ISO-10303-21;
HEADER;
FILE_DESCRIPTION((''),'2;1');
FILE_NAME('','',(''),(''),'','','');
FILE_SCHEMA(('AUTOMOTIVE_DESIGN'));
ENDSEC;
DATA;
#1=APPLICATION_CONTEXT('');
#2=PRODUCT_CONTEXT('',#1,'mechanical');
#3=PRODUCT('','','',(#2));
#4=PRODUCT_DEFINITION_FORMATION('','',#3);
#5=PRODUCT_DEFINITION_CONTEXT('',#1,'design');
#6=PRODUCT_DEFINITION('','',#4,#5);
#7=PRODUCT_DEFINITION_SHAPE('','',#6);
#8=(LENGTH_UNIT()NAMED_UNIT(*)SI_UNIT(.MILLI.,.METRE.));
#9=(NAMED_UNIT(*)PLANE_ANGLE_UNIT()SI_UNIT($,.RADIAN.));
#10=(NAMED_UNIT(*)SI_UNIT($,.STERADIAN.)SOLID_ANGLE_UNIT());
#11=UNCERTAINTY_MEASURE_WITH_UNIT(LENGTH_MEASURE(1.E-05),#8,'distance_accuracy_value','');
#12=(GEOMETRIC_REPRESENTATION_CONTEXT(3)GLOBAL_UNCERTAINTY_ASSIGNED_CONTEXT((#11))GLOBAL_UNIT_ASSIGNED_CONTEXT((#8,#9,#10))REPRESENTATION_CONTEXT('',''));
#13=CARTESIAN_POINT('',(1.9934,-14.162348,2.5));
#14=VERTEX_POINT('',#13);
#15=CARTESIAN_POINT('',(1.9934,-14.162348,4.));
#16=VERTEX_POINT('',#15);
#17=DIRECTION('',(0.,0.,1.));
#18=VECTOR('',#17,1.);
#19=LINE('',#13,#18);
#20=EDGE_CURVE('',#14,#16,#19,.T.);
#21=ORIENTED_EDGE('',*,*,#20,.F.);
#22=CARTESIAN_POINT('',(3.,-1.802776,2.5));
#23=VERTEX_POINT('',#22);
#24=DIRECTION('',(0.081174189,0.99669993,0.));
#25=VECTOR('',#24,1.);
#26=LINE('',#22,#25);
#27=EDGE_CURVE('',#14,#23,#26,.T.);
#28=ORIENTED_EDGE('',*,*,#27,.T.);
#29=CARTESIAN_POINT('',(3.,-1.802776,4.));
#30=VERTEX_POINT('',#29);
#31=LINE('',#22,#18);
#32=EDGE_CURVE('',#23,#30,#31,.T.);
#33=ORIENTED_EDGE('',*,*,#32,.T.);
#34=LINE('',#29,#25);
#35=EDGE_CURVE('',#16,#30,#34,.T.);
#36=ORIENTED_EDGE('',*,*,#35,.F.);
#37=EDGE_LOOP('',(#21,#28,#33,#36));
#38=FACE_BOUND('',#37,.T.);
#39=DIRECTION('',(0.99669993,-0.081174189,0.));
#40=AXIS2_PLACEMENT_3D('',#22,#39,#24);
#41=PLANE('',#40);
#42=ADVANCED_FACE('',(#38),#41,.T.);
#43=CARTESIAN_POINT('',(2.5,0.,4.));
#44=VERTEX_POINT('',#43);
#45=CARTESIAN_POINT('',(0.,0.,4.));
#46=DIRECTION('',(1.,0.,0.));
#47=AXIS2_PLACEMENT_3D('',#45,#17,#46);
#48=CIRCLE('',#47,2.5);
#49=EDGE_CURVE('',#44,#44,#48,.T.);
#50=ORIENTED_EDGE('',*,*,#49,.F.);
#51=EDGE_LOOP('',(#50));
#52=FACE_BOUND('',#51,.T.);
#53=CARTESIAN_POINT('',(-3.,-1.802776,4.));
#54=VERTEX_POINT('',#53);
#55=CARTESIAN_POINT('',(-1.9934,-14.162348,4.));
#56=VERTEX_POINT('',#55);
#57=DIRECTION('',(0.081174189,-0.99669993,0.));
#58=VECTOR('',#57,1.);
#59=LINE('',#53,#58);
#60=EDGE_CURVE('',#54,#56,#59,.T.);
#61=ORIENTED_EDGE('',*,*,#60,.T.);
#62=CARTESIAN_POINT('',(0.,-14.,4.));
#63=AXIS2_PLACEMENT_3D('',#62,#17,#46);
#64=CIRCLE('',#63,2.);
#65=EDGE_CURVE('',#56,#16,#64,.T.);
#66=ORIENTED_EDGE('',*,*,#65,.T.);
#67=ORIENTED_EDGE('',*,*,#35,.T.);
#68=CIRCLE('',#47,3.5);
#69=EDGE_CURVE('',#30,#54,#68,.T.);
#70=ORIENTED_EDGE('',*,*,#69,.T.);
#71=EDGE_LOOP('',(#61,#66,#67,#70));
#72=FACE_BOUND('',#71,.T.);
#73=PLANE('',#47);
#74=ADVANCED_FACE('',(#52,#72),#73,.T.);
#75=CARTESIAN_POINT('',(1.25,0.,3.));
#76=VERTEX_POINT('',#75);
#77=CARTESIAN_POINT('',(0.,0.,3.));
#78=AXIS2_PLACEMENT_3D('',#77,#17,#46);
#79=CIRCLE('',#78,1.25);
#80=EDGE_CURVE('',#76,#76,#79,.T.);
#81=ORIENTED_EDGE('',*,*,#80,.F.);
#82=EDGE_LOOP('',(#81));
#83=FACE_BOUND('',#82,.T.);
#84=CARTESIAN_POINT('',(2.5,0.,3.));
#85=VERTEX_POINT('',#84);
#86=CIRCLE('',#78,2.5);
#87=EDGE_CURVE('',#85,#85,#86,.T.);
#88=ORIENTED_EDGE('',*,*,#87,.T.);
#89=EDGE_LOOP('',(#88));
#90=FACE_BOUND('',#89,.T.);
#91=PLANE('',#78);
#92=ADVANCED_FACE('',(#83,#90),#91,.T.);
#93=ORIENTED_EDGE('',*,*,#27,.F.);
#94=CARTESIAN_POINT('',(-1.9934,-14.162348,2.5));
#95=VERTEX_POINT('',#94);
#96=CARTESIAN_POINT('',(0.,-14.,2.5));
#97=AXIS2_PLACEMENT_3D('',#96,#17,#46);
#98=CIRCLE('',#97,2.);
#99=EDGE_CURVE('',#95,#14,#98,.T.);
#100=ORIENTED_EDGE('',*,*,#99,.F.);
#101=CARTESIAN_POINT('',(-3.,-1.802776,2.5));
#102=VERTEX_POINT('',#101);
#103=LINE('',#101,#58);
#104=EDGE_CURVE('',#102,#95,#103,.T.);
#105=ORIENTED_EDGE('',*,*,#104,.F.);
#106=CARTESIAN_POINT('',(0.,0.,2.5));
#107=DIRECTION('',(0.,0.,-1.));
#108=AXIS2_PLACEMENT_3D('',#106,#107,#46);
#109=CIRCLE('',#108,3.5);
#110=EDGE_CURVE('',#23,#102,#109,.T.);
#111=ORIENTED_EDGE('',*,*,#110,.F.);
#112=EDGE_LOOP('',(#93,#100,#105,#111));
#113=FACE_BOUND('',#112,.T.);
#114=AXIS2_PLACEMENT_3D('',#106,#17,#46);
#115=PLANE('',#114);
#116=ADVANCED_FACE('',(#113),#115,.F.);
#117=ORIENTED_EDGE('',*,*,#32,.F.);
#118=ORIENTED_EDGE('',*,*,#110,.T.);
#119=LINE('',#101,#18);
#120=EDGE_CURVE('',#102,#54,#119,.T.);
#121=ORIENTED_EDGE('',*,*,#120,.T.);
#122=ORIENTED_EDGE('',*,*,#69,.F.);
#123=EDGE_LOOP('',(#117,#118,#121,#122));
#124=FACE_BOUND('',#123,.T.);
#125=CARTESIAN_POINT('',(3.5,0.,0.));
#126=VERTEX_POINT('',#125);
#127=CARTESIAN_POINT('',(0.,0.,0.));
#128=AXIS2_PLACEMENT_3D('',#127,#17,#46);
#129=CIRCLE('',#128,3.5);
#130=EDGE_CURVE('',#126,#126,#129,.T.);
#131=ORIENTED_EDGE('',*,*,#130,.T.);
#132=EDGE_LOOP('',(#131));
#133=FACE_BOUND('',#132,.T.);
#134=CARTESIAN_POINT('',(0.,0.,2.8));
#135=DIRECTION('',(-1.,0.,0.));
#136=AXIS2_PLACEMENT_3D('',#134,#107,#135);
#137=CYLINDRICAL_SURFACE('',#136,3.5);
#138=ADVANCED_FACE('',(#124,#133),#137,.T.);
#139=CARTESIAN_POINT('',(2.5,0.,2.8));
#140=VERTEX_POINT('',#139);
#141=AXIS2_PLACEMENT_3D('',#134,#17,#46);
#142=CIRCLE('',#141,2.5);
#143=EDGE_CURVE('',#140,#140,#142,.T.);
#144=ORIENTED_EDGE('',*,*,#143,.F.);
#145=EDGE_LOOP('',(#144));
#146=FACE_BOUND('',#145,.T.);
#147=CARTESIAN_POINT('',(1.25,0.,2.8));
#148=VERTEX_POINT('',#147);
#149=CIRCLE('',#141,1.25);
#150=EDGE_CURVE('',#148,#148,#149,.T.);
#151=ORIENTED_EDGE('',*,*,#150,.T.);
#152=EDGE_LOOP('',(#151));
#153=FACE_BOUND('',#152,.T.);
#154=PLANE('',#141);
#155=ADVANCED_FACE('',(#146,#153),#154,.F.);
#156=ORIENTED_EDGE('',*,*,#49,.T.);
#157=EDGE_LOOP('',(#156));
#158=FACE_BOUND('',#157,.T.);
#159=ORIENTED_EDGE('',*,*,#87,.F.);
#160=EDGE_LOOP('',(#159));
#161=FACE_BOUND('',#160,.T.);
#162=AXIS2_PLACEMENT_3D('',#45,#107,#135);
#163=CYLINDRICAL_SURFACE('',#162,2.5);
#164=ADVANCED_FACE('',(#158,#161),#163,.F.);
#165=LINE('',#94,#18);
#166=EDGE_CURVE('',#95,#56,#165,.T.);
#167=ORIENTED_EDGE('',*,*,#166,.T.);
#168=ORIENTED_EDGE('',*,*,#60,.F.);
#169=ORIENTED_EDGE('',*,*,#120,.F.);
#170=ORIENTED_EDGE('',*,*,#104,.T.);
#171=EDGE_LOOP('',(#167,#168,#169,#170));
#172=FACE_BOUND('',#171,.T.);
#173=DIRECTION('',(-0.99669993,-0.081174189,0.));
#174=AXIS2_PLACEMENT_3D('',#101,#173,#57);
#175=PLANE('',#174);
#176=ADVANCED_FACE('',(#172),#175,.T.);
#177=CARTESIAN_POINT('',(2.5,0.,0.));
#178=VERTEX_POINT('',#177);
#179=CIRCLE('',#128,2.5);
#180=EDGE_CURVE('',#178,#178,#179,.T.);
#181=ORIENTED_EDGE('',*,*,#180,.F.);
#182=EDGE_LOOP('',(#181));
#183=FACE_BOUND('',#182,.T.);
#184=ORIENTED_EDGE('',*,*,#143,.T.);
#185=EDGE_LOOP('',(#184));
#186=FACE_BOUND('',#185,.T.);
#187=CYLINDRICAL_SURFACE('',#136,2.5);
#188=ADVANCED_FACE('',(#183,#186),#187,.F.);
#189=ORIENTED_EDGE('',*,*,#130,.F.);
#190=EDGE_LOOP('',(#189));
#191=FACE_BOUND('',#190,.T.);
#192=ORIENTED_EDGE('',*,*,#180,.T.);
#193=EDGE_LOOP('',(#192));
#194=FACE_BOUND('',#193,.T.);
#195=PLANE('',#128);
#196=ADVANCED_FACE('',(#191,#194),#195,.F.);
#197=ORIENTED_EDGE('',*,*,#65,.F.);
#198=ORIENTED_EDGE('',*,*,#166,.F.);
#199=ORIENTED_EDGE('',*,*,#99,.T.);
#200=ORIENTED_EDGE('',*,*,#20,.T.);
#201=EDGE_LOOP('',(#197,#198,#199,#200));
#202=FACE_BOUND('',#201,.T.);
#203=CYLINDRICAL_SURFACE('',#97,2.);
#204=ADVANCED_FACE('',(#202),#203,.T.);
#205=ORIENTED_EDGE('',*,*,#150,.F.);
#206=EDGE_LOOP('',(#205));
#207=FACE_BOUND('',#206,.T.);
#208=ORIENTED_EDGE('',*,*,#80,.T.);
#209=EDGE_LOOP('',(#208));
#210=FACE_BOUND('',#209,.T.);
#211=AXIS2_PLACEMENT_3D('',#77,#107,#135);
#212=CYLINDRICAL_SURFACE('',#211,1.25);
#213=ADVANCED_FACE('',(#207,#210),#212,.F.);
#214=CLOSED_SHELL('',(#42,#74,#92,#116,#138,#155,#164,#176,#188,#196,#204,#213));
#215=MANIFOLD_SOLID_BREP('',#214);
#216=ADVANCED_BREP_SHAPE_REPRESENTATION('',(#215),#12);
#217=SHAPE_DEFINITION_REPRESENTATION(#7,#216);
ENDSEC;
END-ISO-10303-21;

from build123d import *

# Parameters (mm, degrees)
SKETCH1_R           = 3.5
SKETCH1_R_2         = 2.5
BOSS_EXTRUDE1_DEPTH = 2.8
SKETCH2_R           = 3.5
SKETCH2_R_2         = 1.25
BOSS_EXTRUDE2_DEPTH = 0.2
SKETCH3_R           = 3.5
SKETCH3_R_2         = 2.5
BOSS_EXTRUDE3_DEPTH = 1
BOSS_EXTRUDE4_START = -1.5
BOSS_EXTRUDE4_DEPTH = 1.5


with BuildPart() as part:
    # Sketch1 → Boss-Extrude1 (new body)
    with BuildSketch(Plane.XY):
        Circle(SKETCH1_R)
        Circle(SKETCH1_R_2, mode=Mode.SUBTRACT)
    extrude(amount=BOSS_EXTRUDE1_DEPTH)

    # Sketch2 → Boss-Extrude2 (add)
    with BuildSketch(Plane.XY.offset(2.8)):
        Circle(SKETCH2_R)
        Circle(SKETCH2_R_2, mode=Mode.SUBTRACT)
    extrude(amount=BOSS_EXTRUDE2_DEPTH)

    # Sketch3 → Boss-Extrude3 (add)
    with BuildSketch(Plane.XY.offset(3)):
        Circle(SKETCH3_R)
        Circle(SKETCH3_R_2, mode=Mode.SUBTRACT)
    extrude(amount=BOSS_EXTRUDE3_DEPTH)

    # Sketch4 → Boss-Extrude4 (add)
    with BuildSketch(Plane.XY.offset(4).offset(BOSS_EXTRUDE4_START)):
        with BuildLine():
            Line((-3, -1.802775638), (-1.993399861, -14.162348377))
            ThreePointArc((-1.993399861, -14.162348377), (0, -16), (1.993399861, -14.162348377))
            Line((1.993399861, -14.162348377), (3, -1.802775638))
            ThreePointArc((3, -1.802775638), (0, -3.5), (-3, -1.802775638))
        make_face()
    extrude(amount=BOSS_EXTRUDE4_DEPTH)


solid = part.part
